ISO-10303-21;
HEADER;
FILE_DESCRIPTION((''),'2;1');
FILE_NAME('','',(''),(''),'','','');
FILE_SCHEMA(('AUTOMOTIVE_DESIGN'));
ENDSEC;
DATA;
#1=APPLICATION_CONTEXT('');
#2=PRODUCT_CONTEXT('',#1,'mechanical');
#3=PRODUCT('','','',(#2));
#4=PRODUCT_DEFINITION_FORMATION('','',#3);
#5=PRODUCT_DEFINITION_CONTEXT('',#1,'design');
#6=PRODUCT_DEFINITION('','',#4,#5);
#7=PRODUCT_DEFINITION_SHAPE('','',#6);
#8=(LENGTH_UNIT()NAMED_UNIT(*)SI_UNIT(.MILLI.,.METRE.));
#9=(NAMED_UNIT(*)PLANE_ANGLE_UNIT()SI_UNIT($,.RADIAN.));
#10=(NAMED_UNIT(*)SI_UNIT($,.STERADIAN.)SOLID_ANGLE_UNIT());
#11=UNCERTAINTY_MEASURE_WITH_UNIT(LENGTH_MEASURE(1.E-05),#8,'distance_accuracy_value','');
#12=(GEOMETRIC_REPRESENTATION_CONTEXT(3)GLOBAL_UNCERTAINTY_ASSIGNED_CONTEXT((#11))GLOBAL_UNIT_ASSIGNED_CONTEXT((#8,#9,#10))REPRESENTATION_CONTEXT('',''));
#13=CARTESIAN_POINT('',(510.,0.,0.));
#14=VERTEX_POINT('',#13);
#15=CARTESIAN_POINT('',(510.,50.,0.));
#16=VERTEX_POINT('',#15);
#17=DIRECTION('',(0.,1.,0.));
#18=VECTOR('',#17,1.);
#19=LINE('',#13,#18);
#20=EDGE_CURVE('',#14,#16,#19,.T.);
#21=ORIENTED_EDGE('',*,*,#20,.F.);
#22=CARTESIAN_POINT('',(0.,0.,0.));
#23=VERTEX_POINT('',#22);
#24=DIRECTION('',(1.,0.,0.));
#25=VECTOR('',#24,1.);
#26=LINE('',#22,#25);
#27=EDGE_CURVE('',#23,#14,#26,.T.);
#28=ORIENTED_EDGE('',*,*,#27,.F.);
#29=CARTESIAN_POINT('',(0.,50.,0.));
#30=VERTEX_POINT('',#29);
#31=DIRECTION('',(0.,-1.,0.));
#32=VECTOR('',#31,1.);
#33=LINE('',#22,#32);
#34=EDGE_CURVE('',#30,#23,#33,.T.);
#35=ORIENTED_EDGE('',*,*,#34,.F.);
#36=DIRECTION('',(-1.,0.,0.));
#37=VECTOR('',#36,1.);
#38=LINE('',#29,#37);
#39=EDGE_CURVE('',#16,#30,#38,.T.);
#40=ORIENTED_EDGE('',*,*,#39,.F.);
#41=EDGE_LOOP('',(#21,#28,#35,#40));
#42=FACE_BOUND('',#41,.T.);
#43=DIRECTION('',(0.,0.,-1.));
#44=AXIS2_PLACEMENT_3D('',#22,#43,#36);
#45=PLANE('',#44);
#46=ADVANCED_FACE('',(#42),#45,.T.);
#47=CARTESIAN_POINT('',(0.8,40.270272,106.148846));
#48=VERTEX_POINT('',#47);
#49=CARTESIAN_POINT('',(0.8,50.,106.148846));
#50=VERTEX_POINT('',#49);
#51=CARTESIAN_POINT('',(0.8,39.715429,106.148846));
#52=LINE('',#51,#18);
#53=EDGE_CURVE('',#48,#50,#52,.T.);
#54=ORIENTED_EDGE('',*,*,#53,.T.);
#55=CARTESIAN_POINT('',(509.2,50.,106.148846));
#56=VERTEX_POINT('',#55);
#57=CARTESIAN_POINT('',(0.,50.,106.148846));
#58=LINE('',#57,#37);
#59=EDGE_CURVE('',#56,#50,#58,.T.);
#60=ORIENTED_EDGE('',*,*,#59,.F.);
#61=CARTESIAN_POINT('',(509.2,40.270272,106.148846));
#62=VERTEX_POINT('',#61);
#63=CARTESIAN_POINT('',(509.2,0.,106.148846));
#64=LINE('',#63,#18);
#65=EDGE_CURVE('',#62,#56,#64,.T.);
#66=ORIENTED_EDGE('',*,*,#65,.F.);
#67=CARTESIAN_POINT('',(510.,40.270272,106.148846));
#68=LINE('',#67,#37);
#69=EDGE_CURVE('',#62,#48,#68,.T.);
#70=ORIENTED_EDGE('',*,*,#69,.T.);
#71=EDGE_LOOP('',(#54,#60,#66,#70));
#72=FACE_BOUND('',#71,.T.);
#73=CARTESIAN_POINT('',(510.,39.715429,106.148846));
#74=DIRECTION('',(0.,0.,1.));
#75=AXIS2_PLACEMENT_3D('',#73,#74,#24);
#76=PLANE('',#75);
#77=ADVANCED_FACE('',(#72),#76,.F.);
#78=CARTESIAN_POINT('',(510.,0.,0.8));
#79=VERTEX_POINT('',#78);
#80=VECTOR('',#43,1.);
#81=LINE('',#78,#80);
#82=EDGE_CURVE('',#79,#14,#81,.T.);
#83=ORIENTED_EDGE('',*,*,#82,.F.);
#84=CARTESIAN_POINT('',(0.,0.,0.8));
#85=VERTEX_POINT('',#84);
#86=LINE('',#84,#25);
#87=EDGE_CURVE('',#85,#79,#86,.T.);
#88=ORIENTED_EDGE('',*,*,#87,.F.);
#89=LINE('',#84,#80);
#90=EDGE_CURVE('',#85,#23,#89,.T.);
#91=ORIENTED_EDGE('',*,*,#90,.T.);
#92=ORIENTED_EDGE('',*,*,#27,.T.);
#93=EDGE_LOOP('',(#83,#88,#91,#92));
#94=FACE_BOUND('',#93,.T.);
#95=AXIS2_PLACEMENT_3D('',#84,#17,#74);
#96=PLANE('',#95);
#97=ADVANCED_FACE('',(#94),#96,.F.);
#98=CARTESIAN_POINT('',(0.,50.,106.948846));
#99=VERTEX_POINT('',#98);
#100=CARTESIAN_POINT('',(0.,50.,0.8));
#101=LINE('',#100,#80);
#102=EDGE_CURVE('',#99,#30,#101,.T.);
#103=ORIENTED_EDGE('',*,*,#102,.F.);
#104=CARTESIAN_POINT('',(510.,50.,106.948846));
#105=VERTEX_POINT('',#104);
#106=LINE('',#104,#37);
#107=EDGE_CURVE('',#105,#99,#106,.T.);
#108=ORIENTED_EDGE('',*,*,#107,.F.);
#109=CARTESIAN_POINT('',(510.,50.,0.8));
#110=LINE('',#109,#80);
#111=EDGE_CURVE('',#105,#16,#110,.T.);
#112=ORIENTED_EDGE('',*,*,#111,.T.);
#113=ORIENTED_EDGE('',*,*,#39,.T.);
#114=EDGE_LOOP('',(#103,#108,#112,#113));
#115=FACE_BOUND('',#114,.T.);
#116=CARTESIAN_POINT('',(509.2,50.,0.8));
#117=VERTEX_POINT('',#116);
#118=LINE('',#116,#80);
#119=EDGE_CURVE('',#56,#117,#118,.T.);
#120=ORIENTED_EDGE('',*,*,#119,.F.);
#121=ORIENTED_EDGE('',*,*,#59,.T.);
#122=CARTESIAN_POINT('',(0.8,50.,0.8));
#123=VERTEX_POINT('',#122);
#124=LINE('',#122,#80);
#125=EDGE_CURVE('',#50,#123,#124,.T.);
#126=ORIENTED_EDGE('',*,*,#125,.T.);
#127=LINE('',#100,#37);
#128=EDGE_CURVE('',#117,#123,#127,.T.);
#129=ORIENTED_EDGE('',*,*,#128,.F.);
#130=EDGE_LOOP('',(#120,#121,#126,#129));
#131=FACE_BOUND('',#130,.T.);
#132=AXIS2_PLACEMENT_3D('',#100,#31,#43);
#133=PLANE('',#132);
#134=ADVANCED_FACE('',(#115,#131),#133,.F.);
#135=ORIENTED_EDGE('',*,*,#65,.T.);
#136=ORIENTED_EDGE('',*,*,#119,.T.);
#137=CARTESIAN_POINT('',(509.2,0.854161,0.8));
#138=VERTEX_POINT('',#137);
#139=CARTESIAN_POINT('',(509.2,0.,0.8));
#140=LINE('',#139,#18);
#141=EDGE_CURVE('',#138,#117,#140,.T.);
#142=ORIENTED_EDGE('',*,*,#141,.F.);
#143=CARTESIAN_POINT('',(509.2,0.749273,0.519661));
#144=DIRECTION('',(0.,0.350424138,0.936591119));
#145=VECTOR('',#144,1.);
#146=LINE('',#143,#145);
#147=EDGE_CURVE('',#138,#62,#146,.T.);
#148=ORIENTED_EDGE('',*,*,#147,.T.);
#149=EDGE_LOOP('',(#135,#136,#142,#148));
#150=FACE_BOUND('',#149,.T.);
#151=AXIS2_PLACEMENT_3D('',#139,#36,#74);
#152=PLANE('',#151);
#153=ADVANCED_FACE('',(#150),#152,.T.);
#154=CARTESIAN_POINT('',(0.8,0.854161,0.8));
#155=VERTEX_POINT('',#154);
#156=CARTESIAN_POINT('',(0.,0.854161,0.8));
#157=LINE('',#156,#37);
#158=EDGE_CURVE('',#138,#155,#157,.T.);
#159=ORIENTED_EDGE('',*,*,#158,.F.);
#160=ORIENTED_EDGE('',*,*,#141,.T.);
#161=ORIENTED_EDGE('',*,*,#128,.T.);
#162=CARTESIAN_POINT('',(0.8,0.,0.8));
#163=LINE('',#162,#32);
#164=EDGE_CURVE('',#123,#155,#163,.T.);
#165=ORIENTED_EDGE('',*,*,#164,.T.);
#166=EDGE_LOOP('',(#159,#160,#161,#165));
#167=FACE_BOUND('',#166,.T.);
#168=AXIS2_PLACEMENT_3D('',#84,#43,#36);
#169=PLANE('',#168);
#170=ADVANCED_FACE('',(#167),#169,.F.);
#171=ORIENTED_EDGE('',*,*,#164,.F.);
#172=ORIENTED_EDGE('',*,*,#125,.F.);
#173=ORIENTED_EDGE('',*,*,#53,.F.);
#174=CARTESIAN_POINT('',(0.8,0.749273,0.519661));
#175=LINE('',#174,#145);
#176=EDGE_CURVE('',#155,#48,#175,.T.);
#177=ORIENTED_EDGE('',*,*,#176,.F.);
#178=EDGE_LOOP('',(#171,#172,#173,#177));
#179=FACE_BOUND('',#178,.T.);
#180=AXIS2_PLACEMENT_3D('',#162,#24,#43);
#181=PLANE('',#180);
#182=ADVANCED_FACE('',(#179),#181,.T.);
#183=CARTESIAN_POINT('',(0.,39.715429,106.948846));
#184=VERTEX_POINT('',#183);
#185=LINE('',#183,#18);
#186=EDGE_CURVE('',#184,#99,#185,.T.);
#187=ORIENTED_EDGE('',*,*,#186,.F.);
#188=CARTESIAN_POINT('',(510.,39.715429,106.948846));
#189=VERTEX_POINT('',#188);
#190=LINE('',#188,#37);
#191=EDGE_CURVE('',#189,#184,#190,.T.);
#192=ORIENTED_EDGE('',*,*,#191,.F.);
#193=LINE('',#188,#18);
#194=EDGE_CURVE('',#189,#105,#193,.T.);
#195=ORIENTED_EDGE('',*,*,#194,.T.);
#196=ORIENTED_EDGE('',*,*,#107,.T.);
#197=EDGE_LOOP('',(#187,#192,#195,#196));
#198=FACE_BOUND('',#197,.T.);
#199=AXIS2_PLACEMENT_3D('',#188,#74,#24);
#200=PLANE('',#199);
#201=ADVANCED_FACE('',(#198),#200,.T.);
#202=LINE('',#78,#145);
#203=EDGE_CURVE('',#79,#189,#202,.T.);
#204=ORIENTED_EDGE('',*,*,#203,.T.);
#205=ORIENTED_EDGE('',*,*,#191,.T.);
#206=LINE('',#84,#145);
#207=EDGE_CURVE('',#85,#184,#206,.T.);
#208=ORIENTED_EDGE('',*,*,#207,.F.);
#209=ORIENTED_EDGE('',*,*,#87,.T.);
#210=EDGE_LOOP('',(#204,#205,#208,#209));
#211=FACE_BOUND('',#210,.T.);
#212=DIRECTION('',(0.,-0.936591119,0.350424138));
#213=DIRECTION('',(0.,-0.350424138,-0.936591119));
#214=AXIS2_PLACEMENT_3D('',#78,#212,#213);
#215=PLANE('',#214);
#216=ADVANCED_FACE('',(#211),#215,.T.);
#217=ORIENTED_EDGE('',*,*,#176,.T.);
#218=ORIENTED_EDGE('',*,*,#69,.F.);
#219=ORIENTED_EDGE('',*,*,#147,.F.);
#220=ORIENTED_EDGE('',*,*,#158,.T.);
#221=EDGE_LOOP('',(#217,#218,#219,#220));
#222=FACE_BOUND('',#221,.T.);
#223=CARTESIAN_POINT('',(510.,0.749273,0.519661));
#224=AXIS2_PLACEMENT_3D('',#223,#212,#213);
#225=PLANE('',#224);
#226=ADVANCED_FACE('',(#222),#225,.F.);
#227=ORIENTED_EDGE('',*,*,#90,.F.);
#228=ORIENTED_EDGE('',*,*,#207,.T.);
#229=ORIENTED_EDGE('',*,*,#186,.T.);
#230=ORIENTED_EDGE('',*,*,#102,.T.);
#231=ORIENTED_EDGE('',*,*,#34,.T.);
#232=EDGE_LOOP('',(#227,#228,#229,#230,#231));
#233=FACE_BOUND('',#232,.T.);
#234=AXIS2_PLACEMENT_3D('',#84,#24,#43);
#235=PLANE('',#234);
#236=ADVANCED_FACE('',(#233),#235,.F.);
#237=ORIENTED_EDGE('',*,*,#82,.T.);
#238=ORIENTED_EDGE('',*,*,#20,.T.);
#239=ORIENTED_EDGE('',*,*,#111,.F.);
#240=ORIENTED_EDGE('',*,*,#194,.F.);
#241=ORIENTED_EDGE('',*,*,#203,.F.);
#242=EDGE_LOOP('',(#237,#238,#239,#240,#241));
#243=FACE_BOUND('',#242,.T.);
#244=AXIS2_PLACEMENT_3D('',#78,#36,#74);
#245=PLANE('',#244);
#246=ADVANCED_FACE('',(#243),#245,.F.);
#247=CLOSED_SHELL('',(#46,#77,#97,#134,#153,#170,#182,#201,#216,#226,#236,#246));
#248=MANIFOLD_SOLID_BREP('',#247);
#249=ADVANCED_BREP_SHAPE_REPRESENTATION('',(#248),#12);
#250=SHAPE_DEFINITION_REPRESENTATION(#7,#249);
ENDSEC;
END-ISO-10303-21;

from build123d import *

# Parameters (mm, degrees)
SKETCH1_W           = 510
SKETCH1_H           = 50
BOSS_EXTRUDE1_DEPTH = 0.8
BOSS_EXTRUDE2_DEPTH = 510
SHELL3_T            = -0.8


with BuildPart() as part:
    # Sketch1 → Boss-Extrude1 (new body)
    with BuildSketch(Plane.XY):
        with Locations((255, 25)):
            Rectangle(SKETCH1_W, SKETCH1_H)
    extrude(amount=BOSS_EXTRUDE1_DEPTH)

    # Sketch3 → Boss-Extrude2 (add)
    with BuildSketch(Plane.ZY):
        Polygon((0.8, 0), (106.948846413, 39.715428922), (106.948846413, 50), (90.052783597, 50), (89.601213207, 50), (74.506616927, 50), (0.8, 50), align=None)
    extrude(amount=-BOSS_EXTRUDE2_DEPTH)

    # Shell3
    shell3_openings = [part.faces().sort_by_distance(p)[0] for p in [
        (255, 50, 53.474423206),
    ]]
    offset(amount=SHELL3_T, openings=shell3_openings, kind=Kind.INTERSECTION)


solid = part.part
